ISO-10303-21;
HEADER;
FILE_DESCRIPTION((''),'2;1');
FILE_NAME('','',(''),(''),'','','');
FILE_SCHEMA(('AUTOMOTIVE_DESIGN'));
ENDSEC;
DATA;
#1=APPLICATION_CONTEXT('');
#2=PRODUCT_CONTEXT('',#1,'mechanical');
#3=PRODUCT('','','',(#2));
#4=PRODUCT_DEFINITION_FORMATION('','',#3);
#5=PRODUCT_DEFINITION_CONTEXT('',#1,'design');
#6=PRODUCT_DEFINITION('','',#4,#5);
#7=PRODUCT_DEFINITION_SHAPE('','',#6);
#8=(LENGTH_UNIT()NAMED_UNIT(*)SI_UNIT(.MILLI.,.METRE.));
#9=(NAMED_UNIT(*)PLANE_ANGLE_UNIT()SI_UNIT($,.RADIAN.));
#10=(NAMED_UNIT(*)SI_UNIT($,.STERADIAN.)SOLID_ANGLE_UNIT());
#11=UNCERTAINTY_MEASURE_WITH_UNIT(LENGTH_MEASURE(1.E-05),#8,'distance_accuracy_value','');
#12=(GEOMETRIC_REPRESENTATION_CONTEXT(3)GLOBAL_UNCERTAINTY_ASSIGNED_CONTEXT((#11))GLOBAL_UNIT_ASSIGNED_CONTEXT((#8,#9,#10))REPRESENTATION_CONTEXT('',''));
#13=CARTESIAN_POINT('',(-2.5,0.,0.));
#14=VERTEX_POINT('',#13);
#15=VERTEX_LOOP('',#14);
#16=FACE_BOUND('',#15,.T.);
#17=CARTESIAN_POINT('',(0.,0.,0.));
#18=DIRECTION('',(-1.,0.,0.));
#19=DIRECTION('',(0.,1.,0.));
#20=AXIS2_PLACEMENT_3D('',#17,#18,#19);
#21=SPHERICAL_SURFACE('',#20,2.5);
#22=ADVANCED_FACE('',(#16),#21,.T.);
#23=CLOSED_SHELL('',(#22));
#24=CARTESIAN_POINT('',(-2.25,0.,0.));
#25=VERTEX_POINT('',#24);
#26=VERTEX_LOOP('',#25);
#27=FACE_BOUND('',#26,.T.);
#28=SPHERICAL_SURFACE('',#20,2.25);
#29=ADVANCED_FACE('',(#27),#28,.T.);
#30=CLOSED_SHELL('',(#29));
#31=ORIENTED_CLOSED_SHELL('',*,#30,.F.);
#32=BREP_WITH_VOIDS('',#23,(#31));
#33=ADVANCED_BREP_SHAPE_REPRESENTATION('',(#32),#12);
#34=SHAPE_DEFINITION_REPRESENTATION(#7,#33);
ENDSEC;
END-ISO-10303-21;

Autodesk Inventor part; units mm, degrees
ref_plane "YZ Plane" through (0, 0, 0) normal (1, 0, 0) x (0, 1, 0)
ref_plane "XZ Plane" through (0, 0, 0) normal (0, 1, 0) x (-1, 0, 0)
ref_plane "XY Plane" through (0, 0, 0) normal (0, 0, 1) x (1, 0, 0)
sketch "Boceto1" plane through (0, 0, 0) normal (0, 0, 1) x (1, 0, 0)
  circle A0 centre (0, 0) radius 2.5
  circle A1 centre (0, 0) radius 2.25
  line L0 (2.9119, 0) -> (-3.7877, 0)
  point P0 (-2.5, 0)
  point P1 (2.5, 0)
  point P2 (-2.25, 0)
  point P3 (2.25, 0)
  dimension "d0" = 5
  dimension "d1" = 4.5
revolve "Revolución1" add sketch "Boceto1" angle 360 about axis through (2.9119, 0, 0) along (-1, 0, 0) picked at (-2.3707, 0.3789) contours L0 A1 A0
properties part number "Hudson 1-58"
